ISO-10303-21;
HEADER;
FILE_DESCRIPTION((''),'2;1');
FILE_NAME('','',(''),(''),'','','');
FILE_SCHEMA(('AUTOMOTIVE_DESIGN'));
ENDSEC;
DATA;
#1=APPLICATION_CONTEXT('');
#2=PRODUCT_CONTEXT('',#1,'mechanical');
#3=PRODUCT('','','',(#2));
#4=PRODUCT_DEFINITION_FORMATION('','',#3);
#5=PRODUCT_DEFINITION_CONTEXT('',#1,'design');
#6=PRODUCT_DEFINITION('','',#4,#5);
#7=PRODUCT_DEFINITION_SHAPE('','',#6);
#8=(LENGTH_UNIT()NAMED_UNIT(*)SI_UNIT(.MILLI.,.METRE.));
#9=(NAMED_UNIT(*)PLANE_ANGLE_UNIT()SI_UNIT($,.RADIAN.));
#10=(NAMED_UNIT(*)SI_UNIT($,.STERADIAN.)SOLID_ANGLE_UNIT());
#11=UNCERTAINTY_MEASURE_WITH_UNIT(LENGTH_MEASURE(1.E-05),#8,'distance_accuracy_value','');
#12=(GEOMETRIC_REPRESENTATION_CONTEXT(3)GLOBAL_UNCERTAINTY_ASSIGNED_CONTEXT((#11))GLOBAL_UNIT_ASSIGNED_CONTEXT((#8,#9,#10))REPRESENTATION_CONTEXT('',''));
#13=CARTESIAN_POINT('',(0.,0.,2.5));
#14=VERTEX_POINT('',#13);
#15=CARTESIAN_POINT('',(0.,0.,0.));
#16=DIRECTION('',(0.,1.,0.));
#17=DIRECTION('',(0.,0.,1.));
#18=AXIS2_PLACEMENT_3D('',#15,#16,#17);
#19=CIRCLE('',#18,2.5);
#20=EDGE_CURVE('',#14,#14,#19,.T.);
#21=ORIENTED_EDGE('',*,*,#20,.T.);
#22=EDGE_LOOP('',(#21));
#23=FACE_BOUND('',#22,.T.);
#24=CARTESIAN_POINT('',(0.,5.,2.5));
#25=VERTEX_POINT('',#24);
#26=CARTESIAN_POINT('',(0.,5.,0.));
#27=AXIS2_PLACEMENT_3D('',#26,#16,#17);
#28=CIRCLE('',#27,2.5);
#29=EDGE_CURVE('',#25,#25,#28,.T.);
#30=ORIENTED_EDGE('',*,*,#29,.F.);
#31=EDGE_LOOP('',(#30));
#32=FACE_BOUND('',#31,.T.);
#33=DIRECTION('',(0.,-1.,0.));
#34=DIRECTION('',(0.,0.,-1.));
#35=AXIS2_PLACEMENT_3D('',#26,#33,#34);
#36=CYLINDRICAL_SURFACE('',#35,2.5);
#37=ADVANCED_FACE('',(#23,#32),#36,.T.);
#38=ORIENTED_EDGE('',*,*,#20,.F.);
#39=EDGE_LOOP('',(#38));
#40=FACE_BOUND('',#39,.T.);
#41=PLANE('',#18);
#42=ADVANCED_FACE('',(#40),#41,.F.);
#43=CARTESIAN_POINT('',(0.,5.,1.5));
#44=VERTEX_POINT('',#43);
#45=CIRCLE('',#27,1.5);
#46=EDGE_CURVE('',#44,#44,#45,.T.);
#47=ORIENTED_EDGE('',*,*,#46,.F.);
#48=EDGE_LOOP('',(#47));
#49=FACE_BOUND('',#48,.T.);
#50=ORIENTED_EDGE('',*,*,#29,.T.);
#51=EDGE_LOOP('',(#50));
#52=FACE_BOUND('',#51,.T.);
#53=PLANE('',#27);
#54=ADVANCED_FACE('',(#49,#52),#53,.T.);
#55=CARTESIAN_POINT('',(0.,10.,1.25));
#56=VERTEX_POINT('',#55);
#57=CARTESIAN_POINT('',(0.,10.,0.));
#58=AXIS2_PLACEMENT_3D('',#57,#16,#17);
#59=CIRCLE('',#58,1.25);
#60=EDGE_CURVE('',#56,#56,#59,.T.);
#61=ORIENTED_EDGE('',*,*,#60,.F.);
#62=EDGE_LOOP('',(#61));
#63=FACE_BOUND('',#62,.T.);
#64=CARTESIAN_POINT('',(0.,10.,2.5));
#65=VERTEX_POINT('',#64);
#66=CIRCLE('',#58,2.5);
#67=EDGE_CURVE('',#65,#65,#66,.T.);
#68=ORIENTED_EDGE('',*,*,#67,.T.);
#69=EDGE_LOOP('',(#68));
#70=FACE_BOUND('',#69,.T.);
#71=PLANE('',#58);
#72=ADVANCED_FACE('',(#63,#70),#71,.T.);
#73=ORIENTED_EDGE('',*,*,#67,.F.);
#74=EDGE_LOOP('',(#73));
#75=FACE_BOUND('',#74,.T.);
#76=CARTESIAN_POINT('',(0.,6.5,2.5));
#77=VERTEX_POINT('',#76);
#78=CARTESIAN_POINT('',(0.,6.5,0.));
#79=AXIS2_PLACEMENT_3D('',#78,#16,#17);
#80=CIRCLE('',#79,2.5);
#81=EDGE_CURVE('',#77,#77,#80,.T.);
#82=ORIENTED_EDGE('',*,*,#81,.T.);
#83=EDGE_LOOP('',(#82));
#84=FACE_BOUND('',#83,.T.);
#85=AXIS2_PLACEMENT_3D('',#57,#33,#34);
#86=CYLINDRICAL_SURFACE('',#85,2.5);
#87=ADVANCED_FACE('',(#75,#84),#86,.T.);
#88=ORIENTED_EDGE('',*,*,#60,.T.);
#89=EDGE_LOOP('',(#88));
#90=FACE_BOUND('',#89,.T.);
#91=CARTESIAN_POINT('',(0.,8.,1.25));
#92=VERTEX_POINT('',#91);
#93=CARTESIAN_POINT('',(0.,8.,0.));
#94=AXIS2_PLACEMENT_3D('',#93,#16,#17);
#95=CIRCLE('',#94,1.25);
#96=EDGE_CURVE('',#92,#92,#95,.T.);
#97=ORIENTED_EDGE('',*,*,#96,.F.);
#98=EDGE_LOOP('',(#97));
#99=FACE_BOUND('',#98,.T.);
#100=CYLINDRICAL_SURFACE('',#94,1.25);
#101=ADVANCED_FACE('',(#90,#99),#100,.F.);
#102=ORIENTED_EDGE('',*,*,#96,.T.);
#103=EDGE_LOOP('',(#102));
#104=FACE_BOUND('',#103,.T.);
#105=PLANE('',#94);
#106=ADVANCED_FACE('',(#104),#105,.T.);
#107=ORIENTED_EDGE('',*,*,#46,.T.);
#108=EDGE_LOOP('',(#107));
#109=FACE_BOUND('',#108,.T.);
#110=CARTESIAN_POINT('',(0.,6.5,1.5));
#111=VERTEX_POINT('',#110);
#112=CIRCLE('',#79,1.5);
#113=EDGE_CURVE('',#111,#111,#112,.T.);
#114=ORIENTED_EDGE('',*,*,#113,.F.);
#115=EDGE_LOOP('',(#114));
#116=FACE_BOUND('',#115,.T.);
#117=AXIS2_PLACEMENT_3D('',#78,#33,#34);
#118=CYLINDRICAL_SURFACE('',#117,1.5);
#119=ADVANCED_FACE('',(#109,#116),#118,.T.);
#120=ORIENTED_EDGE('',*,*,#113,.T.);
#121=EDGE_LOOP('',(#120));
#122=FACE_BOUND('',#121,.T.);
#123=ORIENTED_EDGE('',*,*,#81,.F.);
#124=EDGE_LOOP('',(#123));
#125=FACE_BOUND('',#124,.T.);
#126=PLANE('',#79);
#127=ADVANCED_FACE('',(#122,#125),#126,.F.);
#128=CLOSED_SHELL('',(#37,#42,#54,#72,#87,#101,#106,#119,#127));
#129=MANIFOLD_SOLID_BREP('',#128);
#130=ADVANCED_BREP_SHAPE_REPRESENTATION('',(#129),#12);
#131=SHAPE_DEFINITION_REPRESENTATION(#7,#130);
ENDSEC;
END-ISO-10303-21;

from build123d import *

# Parameters (mm, degrees)
SKETCH1_R           = 2.5
BOSS_EXTRUDE1_DEPTH = 5
SKETCH2_R           = 1.5
BOSS_EXTRUDE2_DEPTH = 1.5
SKETCH3_R           = 2.5
BOSS_EXTRUDE3_DEPTH = 3.5
SKETCH4_R           = 1.25
CUT_EXTRUDE1_DEPTH  = 2


with BuildPart() as part:
    # Sketch1 → Boss-Extrude1 (new body)
    with BuildSketch(Plane(origin=(0, 0, 0), x_dir=(1, 0, 0), z_dir=(0, 1, 0))):
        with Locations(Location((0, 0, 0), (0, 0, 270))):
            Circle(SKETCH1_R)
    extrude(amount=BOSS_EXTRUDE1_DEPTH)

    # Sketch2 → Boss-Extrude2 (add)
    with BuildSketch(Plane(origin=(0, 5, 0), x_dir=(1, 0, 0), z_dir=(0, 1, 0))):
        with Locations(Location((0, 0, 0), (0, 0, 270))):
            Circle(SKETCH2_R)
    extrude(amount=BOSS_EXTRUDE2_DEPTH)

    # Sketch3 → Boss-Extrude3 (add)
    with BuildSketch(Plane(origin=(0, 6.5, 0), x_dir=(1, 0, 0), z_dir=(0, 1, 0))):
        with Locations(Location((0, 0, 0), (0, 0, 270))):
            Circle(SKETCH3_R)
    extrude(amount=BOSS_EXTRUDE3_DEPTH)

    # Sketch4 → Cut-Extrude1 (cut)
    with BuildSketch(Plane(origin=(0, 10, 0), x_dir=(1, 0, 0), z_dir=(0, 1, 0))):
        with Locations(Location((0, 0, 0), (0, 0, 270))):
            Circle(SKETCH4_R)
    extrude(amount=-CUT_EXTRUDE1_DEPTH, mode=Mode.SUBTRACT)


solid = part.part
